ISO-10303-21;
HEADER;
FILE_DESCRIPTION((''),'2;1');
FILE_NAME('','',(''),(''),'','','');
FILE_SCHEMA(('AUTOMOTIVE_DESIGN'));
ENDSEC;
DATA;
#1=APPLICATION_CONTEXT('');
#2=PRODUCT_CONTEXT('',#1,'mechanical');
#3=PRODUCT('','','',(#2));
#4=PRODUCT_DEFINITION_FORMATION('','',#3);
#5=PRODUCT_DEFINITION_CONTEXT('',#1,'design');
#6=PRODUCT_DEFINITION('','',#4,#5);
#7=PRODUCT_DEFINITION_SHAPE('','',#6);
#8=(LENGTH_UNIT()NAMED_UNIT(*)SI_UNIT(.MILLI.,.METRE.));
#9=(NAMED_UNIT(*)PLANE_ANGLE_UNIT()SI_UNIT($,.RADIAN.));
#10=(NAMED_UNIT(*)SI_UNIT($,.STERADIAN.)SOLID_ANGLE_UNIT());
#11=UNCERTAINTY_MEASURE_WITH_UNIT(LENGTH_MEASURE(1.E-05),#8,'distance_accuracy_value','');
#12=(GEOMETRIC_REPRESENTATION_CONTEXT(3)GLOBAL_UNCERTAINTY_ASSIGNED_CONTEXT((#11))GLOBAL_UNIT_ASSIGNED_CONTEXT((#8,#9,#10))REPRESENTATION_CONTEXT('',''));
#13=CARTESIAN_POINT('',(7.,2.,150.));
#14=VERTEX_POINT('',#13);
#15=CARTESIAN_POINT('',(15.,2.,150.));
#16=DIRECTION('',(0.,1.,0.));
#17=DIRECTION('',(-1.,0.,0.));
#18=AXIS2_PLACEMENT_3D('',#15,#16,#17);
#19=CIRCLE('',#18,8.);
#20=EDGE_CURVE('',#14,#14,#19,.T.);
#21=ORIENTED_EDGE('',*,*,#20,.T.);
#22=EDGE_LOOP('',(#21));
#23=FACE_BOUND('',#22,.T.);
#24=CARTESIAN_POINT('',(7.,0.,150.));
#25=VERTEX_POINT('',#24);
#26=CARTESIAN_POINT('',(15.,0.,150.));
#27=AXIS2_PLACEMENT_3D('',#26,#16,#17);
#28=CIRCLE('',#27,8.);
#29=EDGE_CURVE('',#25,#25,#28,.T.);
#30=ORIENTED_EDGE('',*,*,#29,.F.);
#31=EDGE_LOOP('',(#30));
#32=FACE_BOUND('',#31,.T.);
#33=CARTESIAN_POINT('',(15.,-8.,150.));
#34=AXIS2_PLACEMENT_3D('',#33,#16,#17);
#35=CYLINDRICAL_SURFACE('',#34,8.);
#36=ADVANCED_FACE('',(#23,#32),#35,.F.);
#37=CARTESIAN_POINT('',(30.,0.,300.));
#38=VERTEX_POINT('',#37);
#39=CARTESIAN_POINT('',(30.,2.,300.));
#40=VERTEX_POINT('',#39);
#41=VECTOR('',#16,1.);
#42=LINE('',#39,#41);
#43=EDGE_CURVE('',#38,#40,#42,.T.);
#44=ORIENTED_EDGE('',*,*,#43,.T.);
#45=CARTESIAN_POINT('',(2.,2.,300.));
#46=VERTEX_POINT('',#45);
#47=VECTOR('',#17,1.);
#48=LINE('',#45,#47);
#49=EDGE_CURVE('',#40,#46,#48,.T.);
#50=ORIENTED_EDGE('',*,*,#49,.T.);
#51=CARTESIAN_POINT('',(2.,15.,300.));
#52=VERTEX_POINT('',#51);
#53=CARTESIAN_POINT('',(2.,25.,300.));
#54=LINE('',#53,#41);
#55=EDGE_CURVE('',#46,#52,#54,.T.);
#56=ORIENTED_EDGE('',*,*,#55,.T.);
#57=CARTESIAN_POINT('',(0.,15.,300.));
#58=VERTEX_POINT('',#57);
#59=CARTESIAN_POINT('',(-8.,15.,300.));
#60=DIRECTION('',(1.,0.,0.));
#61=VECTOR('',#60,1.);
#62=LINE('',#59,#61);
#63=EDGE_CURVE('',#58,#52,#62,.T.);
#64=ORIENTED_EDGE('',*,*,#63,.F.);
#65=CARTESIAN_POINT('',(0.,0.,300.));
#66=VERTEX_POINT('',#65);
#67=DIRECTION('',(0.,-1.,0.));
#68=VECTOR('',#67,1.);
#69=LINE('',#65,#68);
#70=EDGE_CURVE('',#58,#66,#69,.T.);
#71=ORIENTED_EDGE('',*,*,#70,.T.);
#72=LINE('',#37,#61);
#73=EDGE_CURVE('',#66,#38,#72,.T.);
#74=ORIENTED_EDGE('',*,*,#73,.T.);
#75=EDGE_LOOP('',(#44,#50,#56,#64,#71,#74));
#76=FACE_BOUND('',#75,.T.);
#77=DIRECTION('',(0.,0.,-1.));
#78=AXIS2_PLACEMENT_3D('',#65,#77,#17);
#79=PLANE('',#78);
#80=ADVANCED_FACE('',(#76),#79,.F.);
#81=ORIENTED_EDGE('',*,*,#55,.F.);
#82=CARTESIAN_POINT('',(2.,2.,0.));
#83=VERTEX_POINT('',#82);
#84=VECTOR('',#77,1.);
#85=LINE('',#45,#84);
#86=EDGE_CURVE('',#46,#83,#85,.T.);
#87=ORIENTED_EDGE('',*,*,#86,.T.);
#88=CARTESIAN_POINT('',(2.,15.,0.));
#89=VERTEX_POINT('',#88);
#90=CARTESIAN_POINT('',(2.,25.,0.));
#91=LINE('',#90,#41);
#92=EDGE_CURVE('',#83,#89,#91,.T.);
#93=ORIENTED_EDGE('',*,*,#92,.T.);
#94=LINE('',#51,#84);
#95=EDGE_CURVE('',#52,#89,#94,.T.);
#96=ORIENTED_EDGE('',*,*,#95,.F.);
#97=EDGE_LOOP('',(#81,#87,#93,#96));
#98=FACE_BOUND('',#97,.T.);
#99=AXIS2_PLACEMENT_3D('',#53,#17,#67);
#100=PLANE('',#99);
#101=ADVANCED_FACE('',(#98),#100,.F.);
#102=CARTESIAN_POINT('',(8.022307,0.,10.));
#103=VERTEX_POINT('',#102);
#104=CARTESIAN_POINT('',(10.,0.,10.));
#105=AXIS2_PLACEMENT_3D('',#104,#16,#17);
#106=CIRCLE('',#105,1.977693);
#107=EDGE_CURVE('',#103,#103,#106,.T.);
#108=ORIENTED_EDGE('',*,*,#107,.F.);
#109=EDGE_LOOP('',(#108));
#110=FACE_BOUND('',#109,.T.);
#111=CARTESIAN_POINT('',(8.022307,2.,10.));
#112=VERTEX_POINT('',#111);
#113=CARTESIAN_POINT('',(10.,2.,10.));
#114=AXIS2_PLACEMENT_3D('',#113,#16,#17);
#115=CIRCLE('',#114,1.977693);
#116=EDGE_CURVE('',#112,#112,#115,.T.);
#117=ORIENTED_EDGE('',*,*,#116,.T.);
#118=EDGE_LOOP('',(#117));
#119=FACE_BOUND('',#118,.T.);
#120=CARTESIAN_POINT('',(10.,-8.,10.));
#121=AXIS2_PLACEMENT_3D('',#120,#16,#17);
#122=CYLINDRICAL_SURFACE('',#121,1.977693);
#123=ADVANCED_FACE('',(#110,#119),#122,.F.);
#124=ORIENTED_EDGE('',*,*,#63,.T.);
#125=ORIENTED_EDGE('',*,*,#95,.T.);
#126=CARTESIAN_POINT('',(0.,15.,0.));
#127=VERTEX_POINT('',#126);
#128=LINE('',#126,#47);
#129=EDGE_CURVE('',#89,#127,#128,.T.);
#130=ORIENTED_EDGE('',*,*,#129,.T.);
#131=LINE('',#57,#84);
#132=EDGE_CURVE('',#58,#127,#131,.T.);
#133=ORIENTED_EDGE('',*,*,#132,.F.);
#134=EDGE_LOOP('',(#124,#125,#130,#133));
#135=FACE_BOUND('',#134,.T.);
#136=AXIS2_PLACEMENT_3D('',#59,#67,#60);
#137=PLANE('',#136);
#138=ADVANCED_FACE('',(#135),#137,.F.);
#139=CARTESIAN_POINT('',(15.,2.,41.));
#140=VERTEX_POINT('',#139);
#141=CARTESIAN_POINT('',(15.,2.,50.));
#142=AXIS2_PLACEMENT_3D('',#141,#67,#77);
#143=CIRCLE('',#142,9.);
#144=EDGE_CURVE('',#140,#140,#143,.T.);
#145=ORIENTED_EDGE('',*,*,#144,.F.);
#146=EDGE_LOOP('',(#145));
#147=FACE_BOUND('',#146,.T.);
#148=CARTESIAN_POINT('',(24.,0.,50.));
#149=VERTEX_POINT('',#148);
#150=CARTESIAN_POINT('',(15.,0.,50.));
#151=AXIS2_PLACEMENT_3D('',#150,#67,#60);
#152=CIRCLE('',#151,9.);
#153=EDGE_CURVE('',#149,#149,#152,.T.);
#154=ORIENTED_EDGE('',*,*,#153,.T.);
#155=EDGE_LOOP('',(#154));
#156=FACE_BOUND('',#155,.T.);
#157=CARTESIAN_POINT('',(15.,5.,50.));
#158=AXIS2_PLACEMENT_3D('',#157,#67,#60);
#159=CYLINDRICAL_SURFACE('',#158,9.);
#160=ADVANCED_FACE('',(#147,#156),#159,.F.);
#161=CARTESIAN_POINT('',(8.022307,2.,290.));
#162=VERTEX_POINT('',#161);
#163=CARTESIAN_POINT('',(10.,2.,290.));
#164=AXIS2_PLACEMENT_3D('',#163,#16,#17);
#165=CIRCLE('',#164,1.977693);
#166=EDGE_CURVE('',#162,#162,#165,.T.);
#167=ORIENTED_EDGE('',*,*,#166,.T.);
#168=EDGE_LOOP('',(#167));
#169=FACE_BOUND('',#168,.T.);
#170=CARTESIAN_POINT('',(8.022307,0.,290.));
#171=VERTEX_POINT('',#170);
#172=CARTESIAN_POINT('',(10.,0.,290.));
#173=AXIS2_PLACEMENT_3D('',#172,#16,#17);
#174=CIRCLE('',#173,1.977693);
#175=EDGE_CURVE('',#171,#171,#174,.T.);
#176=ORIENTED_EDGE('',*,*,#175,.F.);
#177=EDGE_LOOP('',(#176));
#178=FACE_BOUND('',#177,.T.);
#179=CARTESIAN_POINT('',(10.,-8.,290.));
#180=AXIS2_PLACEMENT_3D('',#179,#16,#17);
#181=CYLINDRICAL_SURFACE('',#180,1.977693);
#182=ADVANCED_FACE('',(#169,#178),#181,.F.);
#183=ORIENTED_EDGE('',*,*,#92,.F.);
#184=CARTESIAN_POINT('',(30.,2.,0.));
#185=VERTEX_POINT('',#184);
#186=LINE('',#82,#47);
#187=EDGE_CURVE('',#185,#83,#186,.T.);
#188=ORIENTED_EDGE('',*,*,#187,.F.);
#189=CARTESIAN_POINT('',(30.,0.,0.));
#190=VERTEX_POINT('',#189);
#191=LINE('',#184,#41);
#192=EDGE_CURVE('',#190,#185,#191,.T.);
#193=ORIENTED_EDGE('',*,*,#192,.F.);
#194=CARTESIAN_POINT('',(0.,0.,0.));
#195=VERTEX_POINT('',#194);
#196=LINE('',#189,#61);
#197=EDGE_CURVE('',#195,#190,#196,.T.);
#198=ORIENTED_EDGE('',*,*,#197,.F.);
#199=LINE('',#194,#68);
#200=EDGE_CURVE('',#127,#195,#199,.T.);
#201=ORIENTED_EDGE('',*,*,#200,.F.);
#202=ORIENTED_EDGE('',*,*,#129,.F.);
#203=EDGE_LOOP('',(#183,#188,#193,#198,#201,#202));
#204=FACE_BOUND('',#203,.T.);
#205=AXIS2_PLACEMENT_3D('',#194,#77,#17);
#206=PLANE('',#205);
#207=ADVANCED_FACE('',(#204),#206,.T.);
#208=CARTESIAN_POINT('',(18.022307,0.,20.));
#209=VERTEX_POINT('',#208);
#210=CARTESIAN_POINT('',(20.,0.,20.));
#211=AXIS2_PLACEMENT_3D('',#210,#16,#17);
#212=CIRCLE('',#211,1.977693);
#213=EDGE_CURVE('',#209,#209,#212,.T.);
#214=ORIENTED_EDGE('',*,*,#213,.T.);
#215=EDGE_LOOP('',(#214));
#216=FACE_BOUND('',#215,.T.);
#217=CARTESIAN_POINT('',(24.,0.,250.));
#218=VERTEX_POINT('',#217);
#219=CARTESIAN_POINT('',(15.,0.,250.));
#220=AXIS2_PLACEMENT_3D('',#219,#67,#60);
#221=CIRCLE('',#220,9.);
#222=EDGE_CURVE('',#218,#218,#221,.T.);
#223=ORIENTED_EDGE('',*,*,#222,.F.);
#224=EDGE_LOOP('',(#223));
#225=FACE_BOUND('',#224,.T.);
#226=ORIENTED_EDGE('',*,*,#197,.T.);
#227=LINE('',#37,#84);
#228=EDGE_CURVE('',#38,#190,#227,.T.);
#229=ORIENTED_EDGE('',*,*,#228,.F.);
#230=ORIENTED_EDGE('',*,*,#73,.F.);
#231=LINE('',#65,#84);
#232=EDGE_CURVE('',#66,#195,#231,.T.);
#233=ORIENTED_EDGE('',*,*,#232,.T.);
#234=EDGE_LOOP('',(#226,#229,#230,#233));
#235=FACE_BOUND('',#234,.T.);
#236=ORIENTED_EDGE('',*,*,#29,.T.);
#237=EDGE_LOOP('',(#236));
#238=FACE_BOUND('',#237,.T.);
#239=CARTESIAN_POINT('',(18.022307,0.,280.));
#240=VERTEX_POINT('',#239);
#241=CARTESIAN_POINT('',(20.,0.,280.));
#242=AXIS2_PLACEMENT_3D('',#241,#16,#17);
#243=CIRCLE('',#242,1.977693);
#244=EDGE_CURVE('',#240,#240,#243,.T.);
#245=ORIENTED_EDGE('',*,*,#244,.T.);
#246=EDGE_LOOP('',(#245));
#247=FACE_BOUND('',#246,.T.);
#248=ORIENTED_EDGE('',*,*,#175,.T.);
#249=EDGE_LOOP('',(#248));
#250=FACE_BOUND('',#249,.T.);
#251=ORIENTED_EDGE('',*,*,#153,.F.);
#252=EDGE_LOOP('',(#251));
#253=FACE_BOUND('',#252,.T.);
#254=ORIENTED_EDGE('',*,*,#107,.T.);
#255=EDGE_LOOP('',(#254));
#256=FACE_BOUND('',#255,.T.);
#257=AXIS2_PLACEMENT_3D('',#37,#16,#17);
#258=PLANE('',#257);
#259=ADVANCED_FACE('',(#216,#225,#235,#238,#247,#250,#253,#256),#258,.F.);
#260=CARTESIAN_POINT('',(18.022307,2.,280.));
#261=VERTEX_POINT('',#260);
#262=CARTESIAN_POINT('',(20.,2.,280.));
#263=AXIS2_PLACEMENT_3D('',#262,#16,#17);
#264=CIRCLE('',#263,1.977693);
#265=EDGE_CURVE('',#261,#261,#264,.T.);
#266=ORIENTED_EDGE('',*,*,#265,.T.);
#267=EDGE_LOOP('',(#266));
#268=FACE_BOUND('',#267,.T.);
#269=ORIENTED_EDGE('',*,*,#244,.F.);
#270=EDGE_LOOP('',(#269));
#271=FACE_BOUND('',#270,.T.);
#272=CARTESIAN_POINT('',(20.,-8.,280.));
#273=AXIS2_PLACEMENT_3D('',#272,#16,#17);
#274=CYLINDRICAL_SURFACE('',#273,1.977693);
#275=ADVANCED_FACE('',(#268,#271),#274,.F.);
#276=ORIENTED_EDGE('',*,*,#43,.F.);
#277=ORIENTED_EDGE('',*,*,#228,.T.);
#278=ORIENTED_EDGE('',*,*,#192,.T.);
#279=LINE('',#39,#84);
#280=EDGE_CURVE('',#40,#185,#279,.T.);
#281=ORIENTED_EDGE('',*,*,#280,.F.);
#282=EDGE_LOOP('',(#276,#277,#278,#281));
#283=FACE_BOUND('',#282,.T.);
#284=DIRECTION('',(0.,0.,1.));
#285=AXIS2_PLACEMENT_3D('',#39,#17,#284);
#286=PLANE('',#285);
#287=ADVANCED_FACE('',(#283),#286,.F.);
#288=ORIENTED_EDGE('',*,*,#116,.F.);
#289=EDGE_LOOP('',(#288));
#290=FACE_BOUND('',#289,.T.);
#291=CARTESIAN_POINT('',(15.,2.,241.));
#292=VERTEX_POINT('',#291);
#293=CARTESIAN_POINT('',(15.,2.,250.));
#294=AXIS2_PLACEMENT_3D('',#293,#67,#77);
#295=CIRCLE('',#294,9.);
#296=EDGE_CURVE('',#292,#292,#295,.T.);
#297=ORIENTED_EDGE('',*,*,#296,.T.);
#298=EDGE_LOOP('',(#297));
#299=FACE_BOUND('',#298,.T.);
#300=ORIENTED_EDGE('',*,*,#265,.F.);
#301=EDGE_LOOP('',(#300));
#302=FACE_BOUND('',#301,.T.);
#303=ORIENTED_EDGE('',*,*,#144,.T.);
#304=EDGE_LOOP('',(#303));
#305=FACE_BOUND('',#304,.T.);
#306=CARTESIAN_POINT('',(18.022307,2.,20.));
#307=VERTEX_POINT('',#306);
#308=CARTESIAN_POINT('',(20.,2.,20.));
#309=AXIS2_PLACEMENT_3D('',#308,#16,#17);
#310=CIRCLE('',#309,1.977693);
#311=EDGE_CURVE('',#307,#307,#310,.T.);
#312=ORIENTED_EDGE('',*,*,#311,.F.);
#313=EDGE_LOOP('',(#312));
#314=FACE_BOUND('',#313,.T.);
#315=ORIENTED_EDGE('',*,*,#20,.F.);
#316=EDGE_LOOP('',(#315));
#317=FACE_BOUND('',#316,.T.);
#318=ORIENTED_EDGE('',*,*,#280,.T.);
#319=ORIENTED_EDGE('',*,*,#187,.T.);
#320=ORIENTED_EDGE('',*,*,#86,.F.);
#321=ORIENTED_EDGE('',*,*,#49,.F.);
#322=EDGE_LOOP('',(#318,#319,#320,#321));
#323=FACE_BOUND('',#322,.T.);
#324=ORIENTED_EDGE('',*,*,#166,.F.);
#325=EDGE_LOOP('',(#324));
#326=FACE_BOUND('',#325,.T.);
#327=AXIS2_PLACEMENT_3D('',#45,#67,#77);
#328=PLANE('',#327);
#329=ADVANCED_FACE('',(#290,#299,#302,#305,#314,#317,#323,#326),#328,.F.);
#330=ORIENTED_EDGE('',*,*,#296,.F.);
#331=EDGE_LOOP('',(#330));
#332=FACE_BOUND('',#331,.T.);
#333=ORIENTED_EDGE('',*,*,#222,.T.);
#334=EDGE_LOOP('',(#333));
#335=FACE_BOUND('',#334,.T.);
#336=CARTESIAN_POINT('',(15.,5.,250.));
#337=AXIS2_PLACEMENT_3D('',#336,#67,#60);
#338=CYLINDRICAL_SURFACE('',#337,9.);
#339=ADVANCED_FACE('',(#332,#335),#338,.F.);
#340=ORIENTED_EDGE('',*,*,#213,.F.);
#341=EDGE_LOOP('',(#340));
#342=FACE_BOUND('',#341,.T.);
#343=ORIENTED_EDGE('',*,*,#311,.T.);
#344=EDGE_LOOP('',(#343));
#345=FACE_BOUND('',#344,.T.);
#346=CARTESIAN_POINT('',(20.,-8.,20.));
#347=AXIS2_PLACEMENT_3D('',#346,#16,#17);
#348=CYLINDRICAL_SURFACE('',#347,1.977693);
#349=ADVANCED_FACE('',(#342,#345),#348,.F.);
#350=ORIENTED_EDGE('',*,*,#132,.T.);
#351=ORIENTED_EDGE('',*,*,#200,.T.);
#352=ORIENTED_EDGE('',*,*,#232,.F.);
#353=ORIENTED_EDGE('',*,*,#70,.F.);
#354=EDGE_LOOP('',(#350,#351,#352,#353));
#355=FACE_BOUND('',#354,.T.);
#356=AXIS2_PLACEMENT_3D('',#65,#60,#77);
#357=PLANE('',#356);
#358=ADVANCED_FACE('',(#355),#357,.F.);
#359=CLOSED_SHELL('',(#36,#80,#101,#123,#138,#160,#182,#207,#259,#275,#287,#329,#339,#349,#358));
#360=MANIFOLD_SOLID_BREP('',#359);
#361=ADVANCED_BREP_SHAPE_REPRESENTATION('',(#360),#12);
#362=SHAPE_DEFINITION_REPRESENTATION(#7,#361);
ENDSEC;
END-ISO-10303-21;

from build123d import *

# Parameters (mm, degrees)
BOSS_EXTRUDE1_DEPTH = 300
SKETCH2_R           = 8
SKETCH2_R_2         = 1.977693409
CUT_EXTRUDE1_DEPTH  = 10
SKETCH3_W           = 300
SKETCH3_H           = 10
CUT_EXTRUDE2_DEPTH  = 10
SKETCH6_R           = 9
CUT_EXTRUDE5_DEPTH  = 5


with BuildPart() as part:
    # Sketch1 → Boss-Extrude1 (new body)
    with BuildSketch(Plane.XY):
        Polygon((0, 0), (0, 25), (2, 25), (2, 2), (30, 2), (30, 0), align=None)
    extrude(amount=BOSS_EXTRUDE1_DEPTH)

    # Sketch2 → Cut-Extrude1 (cut)
    with BuildSketch(Plane(origin=(0, 2, 0), x_dir=(1, 0, 0), z_dir=(0, 1, 0))):
        with Locations(Location((15, -150, 0), (0, 0, 180))):
            Circle(SKETCH2_R)
        with Locations(Location((10, -10, 0), (0, 0, 180))):
            Circle(SKETCH2_R_2)
        with Locations(Location((20, -20, 0), (0, 0, 180))):
            Circle(SKETCH2_R_2)
        with Locations(Location((10, -290, 0), (0, 0, 180))):
            Circle(SKETCH2_R_2)
        with Locations(Location((20, -280, 0), (0, 0, 180))):
            Circle(SKETCH2_R_2)
    extrude(amount=-CUT_EXTRUDE1_DEPTH, mode=Mode.SUBTRACT)

    # Sketch3 → Cut-Extrude2 (cut)
    with BuildSketch(Plane(origin=(2, 0, 0), x_dir=(0, 0, -1), z_dir=(1, 0, 0))):
        with Locations((-150, 20)):
            Rectangle(SKETCH3_W, SKETCH3_H)
    extrude(amount=-CUT_EXTRUDE2_DEPTH, mode=Mode.SUBTRACT)

    # Sketch6 → Cut-Extrude5 (cut)
    with BuildSketch(Plane.XZ):
        with Locations((15, 250)):
            Circle(SKETCH6_R)
        with Locations((15, 50)):
            Circle(SKETCH6_R)
        with Locations((-238, 50)):
            Circle(SKETCH6_R)
        with Locations((-238, 250)):
            Circle(SKETCH6_R)
    extrude(amount=-CUT_EXTRUDE5_DEPTH, mode=Mode.SUBTRACT)


solid = part.part
